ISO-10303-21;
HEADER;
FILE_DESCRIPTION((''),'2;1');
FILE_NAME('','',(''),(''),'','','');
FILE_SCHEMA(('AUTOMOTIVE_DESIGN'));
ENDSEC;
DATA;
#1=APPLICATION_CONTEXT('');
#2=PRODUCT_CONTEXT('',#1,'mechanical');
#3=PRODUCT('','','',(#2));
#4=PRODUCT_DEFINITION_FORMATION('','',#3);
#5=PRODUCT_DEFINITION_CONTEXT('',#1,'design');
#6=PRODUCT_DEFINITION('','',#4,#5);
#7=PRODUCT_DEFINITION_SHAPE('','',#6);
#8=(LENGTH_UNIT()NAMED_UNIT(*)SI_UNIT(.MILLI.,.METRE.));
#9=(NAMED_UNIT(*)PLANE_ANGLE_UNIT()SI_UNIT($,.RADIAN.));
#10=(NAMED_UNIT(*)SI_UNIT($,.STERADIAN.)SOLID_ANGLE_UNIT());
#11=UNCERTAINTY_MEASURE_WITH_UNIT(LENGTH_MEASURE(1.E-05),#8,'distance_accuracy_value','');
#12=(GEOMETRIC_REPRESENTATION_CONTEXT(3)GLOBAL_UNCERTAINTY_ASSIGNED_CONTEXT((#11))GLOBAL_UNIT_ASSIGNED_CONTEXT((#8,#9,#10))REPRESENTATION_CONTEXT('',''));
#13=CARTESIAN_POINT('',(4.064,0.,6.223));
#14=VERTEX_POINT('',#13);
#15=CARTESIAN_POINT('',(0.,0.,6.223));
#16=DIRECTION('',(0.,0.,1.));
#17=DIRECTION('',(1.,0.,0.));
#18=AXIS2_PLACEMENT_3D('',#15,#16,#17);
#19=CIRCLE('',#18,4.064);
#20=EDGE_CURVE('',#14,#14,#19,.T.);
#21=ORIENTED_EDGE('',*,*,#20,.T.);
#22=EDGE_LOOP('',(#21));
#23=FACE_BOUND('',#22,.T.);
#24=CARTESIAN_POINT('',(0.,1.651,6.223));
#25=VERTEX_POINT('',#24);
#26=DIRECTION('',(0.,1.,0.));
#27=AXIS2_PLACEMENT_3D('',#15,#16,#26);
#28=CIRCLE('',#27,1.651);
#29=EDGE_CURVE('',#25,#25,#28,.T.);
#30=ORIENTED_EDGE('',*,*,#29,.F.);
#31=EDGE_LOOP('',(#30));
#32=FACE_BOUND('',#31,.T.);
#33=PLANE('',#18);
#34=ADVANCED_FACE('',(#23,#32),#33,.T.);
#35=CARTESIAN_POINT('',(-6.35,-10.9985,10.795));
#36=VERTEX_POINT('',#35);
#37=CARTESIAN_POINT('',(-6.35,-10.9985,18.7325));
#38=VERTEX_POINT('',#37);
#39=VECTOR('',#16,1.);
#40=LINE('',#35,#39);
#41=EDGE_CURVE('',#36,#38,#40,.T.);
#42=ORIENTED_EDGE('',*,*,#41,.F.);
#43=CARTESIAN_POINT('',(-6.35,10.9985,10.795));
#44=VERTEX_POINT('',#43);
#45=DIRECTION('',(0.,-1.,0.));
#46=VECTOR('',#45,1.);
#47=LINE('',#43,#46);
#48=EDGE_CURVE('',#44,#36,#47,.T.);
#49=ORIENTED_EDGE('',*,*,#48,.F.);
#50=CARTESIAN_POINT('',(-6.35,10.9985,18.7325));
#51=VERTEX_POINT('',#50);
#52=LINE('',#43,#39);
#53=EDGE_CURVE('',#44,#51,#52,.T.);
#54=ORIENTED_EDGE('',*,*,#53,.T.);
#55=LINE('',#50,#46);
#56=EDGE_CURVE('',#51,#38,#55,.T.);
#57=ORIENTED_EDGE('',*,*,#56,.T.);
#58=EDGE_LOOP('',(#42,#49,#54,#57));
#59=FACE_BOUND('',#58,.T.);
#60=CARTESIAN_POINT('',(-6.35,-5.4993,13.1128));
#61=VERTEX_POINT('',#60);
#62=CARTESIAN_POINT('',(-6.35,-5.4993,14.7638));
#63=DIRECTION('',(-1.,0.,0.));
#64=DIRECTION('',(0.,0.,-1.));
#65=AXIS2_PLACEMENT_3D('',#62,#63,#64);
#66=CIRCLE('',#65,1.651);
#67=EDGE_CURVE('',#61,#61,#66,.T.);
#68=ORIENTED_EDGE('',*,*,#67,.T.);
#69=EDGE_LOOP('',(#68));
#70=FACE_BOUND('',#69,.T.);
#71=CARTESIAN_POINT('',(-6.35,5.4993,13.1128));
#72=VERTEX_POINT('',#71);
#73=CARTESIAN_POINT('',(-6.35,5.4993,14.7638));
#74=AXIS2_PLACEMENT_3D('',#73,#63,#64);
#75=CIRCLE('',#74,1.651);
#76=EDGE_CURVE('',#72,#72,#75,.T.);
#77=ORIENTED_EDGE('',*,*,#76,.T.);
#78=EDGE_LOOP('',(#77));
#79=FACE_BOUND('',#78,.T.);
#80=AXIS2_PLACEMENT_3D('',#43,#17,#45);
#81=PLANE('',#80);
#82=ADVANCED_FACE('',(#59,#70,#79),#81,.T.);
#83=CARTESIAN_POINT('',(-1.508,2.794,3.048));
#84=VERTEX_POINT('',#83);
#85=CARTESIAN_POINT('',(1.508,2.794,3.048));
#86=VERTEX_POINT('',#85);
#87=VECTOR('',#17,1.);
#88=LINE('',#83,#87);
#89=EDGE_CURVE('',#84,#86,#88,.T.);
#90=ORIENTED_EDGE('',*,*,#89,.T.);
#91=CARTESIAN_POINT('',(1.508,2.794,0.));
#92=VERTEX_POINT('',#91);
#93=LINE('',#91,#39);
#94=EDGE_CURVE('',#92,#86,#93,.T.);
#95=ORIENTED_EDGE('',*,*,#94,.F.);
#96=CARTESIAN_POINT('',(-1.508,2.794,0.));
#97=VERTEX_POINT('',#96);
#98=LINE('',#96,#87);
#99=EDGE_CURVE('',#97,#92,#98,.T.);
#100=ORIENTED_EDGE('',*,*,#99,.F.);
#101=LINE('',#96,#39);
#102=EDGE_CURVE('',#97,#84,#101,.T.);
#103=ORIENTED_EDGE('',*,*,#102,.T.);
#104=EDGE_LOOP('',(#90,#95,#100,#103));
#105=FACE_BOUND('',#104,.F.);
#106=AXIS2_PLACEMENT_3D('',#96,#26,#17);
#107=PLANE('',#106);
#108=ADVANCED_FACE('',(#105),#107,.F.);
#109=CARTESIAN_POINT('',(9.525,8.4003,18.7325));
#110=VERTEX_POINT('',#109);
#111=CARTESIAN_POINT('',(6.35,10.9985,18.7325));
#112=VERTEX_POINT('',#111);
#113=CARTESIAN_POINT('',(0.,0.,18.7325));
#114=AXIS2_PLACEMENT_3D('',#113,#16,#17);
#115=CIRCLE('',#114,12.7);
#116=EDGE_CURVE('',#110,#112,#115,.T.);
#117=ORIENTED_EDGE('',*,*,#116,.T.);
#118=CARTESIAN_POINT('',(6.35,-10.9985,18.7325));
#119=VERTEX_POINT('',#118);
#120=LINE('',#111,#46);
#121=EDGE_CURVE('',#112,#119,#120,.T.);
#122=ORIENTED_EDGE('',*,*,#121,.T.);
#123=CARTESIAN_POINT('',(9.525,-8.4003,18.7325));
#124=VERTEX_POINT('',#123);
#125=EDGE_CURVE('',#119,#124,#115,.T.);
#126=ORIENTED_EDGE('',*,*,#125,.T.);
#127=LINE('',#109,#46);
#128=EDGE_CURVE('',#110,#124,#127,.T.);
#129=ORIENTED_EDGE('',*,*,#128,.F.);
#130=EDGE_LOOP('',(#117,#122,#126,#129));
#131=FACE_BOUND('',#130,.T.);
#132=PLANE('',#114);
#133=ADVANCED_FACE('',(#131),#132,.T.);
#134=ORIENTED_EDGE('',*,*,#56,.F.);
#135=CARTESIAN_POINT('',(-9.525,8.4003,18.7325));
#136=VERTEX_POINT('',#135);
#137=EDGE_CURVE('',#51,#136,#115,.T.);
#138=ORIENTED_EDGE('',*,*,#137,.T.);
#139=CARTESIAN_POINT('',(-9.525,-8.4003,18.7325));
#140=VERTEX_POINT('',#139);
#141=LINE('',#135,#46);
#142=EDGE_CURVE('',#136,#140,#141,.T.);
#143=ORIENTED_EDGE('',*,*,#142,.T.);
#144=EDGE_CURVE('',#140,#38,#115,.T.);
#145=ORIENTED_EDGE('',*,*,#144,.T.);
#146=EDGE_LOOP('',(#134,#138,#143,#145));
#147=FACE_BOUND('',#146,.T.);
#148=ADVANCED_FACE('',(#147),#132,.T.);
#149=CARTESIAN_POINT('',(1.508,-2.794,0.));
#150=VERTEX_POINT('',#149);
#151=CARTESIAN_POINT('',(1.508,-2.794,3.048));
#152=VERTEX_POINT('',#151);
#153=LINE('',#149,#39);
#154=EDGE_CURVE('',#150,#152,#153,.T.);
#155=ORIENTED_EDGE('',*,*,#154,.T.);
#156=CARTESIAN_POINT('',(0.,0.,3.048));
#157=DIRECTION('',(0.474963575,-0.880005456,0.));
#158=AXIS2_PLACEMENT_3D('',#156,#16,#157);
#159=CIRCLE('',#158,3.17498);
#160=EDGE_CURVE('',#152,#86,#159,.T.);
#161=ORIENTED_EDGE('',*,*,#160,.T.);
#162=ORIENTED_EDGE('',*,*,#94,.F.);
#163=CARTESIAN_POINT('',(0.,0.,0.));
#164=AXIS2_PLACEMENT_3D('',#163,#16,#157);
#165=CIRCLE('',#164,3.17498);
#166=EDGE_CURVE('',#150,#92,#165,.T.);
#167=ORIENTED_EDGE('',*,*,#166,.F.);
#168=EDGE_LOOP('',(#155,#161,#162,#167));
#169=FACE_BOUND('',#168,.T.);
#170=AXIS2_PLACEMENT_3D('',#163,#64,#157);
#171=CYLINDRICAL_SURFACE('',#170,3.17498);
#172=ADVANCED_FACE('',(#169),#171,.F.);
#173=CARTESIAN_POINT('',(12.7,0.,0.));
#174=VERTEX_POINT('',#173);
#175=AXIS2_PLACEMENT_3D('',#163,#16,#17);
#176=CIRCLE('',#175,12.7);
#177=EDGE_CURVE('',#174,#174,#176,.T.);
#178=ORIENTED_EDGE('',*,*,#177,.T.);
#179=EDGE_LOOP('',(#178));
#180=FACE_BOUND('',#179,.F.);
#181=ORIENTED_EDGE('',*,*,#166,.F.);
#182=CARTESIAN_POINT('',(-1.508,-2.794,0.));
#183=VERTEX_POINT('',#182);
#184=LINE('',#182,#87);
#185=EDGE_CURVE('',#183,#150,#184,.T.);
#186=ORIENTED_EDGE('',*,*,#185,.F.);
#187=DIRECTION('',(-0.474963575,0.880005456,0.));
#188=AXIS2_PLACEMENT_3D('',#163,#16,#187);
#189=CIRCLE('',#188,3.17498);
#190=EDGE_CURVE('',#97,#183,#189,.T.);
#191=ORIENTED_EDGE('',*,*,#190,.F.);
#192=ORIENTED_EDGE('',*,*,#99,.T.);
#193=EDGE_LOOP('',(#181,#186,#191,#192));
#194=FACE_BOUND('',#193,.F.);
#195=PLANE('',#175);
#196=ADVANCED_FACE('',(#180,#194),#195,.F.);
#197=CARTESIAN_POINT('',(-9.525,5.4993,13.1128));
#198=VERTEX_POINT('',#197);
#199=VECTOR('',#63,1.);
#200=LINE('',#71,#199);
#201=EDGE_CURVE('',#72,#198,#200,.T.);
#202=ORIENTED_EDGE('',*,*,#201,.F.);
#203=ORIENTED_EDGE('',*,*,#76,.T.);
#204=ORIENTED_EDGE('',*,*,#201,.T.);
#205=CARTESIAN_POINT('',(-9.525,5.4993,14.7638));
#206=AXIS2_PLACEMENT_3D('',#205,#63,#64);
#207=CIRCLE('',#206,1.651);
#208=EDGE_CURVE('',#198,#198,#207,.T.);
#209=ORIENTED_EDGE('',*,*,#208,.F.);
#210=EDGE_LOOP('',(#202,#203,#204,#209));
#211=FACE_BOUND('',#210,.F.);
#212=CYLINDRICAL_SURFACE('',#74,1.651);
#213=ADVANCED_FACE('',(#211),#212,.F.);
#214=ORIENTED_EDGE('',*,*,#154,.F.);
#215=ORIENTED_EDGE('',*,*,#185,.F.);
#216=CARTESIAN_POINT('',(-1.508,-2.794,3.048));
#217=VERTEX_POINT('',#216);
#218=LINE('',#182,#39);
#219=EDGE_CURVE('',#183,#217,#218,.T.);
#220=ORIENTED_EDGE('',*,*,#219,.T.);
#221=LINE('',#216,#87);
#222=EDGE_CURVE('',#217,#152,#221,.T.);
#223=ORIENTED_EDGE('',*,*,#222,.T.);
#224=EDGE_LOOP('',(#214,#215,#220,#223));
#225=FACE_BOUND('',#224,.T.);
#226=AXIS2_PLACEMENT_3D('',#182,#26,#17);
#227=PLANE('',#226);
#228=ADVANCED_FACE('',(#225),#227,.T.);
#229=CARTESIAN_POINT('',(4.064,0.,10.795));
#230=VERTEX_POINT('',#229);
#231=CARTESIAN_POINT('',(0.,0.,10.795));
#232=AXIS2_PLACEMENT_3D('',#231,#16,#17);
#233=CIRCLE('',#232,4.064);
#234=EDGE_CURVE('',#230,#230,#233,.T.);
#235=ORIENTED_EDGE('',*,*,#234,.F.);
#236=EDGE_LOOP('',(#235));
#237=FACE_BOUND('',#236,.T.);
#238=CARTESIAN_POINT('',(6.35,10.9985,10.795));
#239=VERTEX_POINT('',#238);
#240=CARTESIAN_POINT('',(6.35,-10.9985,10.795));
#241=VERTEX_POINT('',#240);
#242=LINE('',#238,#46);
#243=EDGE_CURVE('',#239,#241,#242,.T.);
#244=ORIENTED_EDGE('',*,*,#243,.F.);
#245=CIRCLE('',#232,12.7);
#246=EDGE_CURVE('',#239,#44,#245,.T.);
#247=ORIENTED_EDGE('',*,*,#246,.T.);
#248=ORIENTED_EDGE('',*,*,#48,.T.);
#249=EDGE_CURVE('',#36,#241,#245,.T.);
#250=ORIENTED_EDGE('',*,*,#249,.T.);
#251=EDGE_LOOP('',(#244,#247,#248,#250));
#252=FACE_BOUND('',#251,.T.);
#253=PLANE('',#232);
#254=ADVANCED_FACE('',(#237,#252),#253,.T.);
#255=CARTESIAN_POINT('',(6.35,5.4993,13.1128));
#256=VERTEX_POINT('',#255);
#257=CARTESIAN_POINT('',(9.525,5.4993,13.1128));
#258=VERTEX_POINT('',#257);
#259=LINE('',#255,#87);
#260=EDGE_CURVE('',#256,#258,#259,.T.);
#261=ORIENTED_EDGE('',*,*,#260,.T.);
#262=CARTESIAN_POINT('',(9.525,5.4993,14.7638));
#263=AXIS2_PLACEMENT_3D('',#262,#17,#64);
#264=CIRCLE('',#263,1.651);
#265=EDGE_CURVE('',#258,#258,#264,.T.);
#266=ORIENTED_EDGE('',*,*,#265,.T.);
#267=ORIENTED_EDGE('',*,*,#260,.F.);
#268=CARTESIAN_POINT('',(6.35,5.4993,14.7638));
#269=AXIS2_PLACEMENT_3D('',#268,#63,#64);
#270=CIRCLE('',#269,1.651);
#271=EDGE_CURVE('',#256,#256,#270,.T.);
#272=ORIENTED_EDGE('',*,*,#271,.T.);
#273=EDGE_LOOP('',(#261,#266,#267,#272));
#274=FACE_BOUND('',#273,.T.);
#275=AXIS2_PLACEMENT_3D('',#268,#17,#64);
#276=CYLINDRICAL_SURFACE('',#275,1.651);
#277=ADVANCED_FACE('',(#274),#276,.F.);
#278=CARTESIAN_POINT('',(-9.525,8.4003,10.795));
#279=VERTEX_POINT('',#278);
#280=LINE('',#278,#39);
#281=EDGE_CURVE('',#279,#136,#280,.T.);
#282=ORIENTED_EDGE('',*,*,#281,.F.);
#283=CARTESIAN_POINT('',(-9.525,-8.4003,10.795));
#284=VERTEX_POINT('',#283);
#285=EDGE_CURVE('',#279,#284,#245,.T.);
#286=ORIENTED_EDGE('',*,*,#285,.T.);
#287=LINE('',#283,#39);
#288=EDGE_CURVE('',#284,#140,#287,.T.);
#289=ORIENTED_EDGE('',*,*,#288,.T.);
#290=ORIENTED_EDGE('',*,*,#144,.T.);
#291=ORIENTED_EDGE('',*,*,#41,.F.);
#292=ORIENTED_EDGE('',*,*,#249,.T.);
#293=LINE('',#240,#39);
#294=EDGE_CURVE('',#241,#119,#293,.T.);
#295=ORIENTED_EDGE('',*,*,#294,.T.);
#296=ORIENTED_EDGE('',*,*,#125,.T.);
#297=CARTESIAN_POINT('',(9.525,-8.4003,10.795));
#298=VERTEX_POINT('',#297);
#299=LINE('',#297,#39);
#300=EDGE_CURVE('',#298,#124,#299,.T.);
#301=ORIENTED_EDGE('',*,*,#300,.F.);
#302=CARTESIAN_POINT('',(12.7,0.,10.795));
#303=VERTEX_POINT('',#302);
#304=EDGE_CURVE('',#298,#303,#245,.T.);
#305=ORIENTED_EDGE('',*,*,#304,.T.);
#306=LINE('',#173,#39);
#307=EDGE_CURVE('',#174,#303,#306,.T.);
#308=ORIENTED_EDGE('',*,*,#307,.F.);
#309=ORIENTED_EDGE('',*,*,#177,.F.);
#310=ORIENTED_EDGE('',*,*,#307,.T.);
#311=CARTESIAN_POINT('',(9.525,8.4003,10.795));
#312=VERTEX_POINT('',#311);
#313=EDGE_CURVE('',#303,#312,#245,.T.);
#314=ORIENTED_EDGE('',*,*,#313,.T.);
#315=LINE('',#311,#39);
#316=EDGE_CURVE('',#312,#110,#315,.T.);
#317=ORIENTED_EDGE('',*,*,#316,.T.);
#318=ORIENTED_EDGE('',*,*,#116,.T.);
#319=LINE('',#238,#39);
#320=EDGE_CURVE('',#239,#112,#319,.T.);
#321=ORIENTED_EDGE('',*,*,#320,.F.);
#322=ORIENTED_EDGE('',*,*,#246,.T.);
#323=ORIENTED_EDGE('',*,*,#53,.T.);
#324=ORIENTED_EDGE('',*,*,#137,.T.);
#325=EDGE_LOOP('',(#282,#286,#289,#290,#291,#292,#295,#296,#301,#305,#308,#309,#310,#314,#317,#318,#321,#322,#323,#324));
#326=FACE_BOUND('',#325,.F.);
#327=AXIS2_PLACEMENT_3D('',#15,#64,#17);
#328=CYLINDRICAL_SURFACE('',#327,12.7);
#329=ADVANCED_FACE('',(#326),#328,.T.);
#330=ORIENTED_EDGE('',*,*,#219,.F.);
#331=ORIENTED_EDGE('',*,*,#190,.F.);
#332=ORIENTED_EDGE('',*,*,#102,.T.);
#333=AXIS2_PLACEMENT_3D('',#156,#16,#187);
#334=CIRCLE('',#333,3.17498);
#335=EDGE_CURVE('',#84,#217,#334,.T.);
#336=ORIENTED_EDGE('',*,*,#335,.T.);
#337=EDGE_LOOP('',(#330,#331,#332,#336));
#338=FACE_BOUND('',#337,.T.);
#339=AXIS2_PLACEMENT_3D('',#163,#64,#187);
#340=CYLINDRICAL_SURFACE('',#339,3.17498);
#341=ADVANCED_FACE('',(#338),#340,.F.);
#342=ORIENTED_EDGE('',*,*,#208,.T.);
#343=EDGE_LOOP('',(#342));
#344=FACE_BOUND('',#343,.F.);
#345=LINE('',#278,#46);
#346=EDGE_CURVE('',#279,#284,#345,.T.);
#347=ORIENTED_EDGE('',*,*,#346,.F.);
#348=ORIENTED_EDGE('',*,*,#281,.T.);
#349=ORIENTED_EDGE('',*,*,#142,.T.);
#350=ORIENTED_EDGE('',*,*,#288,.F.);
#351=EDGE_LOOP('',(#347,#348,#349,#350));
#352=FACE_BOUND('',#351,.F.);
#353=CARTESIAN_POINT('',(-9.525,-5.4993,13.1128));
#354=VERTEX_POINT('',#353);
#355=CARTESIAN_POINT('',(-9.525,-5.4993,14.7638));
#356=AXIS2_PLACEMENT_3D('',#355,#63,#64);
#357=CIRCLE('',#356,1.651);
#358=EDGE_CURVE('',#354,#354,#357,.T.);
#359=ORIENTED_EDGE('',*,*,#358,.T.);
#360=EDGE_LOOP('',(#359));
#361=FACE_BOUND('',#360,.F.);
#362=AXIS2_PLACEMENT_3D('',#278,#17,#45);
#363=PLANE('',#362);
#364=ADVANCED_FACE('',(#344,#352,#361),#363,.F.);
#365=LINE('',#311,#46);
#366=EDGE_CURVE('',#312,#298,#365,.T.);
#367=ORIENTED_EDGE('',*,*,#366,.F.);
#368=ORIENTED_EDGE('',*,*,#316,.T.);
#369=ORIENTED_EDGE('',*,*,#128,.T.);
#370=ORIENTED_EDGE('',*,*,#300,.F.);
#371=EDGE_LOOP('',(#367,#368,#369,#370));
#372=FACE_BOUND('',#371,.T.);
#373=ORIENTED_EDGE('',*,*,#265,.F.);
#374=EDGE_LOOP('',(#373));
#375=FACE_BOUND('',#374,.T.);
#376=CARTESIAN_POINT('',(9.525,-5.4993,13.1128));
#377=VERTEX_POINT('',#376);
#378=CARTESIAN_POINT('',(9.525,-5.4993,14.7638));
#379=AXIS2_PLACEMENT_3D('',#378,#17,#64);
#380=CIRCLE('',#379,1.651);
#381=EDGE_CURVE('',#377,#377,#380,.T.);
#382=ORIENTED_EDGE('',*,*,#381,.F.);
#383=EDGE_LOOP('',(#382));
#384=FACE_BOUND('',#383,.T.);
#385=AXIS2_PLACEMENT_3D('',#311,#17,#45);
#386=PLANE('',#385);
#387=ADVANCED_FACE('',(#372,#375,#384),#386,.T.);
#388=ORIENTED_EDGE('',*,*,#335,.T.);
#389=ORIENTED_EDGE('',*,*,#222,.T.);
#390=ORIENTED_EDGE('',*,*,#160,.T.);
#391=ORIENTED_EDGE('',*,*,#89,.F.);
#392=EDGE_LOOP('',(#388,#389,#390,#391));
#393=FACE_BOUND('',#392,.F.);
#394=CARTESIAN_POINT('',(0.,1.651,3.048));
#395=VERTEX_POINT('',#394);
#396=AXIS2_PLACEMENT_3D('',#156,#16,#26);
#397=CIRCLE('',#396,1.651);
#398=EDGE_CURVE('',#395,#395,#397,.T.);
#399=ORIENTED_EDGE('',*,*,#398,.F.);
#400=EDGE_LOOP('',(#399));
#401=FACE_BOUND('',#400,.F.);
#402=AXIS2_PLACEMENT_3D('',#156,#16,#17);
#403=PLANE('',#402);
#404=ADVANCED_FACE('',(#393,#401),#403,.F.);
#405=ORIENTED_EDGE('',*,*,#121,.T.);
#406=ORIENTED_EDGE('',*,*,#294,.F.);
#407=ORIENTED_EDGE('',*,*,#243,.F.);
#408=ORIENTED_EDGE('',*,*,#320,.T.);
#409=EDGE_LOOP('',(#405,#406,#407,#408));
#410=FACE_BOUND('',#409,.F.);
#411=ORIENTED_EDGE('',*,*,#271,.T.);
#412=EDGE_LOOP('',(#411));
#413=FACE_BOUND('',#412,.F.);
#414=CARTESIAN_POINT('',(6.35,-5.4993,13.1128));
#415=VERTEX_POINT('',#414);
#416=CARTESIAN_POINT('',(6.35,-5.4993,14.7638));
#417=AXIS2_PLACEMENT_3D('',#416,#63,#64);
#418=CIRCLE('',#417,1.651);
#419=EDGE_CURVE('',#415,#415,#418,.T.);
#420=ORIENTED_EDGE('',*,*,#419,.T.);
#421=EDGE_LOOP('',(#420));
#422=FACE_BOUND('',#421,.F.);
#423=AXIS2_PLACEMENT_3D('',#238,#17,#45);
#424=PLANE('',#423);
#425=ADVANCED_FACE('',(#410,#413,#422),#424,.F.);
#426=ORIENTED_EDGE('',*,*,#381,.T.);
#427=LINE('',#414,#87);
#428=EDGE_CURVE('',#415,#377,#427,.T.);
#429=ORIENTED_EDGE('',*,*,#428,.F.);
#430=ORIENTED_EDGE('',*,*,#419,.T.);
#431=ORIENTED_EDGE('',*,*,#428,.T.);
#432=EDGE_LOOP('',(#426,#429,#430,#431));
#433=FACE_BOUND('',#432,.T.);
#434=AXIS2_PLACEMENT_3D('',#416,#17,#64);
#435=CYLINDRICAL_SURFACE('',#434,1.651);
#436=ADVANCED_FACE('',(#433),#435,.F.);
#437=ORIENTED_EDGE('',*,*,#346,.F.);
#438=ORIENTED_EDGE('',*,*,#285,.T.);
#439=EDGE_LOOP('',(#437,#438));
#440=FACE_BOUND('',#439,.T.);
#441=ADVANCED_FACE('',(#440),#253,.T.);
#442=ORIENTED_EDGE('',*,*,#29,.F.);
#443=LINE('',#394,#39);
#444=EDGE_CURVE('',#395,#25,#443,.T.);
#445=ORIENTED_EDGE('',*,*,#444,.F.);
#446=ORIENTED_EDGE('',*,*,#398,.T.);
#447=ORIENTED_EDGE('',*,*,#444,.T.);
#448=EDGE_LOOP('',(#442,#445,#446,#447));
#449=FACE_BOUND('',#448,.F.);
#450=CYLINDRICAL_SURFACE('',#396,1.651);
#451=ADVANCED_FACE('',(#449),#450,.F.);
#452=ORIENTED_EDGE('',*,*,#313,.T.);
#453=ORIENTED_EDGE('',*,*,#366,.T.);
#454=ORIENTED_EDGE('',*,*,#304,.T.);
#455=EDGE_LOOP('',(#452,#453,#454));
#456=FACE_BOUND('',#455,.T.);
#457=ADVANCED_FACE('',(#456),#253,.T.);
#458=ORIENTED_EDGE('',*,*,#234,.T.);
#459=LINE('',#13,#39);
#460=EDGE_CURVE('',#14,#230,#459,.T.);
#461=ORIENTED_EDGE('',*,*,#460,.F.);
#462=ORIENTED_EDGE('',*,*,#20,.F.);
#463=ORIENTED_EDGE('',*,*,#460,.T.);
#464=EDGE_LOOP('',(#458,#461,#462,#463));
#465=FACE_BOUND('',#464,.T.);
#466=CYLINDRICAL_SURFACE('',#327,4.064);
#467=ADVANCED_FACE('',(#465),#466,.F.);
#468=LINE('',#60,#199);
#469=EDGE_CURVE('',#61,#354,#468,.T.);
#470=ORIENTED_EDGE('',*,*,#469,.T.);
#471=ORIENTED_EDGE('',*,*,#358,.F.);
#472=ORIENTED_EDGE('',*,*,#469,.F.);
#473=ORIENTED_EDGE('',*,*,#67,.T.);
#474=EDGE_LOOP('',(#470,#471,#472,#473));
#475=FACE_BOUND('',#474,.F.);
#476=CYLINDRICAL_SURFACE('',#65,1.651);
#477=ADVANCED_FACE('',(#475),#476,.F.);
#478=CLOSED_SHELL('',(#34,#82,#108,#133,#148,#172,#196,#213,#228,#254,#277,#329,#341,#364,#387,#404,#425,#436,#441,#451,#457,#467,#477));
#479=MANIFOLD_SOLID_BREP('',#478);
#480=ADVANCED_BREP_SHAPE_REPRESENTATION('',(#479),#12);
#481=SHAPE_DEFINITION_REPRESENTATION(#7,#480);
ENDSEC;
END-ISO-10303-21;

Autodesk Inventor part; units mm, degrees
ref_plane "YZ Plane" through (0, 0, 0) normal (1, 0, 0) x (0, 1, 0)
ref_plane "XZ Plane" through (0, 0, 0) normal (0, 1, 0) x (-1, 0, 0)
sketch "Sketch1" plane through (0, 0, 0) normal (0, 0, 1) x (1, 0, 0)
  arc A0 (-1.508, 2.794) -> (-1.508, -2.794) centre (0, 0) ccw
  line L0 (-3.175, 0) -> (0, 0) construction
  line L1 (0, 0) -> (3.175, 0) construction
  line L2 (-1.508, 2.794) -> (1.508, 2.794)
  line L3 (-1.508, -2.794) -> (1.508, -2.794)
  arc A1 (1.508, 2.794) -> (-1.508, 2.794) centre (0, 0) ccw construction
  arc A2 (1.508, -2.794) -> (1.508, 2.794) centre (0, 0) ccw
  arc A3 (-1.508, -2.794) -> (1.508, -2.794) centre (0, 0) ccw construction
  circle A4 centre (0, 0) radius 3.429 construction
  circle A5 centre (0, 0) radius 4.064
  circle A6 centre (0, 0) radius 12.7
  dimension "d1" = 2.794
  dimension "d2" = 3.175
  dimension "d3" = 6.858
  dimension "d5" = 0.635
  dimension "d6" = 25.4
extrude "Extrusion1" add sketch "Sketch1" along normal blind 3.048 contours A5 | A6
sketch "Sketch2" plane through (0, 0, 3.048) normal (0, 0, 1) x (1, 0, 0)
  circle A0 centre (0, 0) radius 12.7 projected
  arc A1 (-1.508, 2.794) -> (-1.508, -2.794) centre (0, 0) ccw projected
extrude "Extrusion2" add sketch "Sketch2" along normal blind 3.175
hole "Hole1" at (0, 0, 3.048) direction (0, 0, 1) diameter 3.302 depth 25.4 tip angle 118 thread size "8-32 UNC" class "2B" standard "ANSI Unified Screw Threads"
sketch "Sketch3" plane through (0, 0, 6.223) normal (0, 0, 1) x (1, 0, 0)
  circle A0 centre (0, 0) radius 12.7 projected
  circle A1 centre (0, 0) radius 3.429
  circle A2 centre (0, 0) radius 4.064
  dimension "d18" = 6.858
  dimension "d19" = 0.635
extrude "Extrusion3" add sketch "Sketch3" along normal blind 4.572 contours A0
sketch "Sketch4" plane through (0, 0, 10.795) normal (0, 0, 1) x (1, 0, 0)
  circle A0 centre (0, 0) radius 4.064 projected
  circle A1 centre (0, 0) radius 12.7 projected
  line L0 (-6.35, 10.9985) -> (-6.35, -10.9985)
  line L1 (0, 12.7) -> (0, -12.7)
  line L2 (6.35, 10.9985) -> (6.35, -10.9985)
  line L3 (-9.525, 8.4003) -> (-9.525, -8.4003)
  line L4 (9.525, 8.4003) -> (9.525, -8.4003)
  dimension "d22" = 6.35
  dimension "d23" = 3.175
extrude "Extrusion4" add sketch "Sketch4" along normal blind 7.9375 contours A1 L4 L2 | L0 A1 L3
sketch "Sketch5" plane through (-6.35, -10.9985, 10.795) normal (1, 0, 0) x (0, 0, -1)
  line L0 (0, 21.997) -> (0, 0) projected
  line L1 (0, 21.997) -> (-7.9375, 21.997) projected
  line L2 (-7.9375, 0) -> (-7.9375, 21.997) projected
  line L3 (0, 0) -> (-7.9375, 0) projected
  line L4 (-3.9688, 21.997) -> (-3.9688, 0) construction
  line L5 (-7.9375, 10.9985) -> (0, 10.9985) construction
  line L6 (-7.9375, 16.4978) -> (0, 16.4978) construction
  line L7 (-7.9375, 5.4993) -> (0, 5.4993) construction
  point P0 (10.795, 10.9985)
  point P1 (-3.9688, 16.4978)
  point P2 (-3.9688, 5.4993)
  dimension "d26" = 5.4993
  dimension "d27" = 5.4993
hole "Hole2" at (-6.35, 5.4993, 14.7638) at (-6.35, -5.4993, 14.7638) direction (-1, 0, 0) diameter 3.302 end through all thread size "8-32 UNC" class "2B" standard "ANSI Unified Screw Threads"
ref_plane "Work Plane1" through (0, -10.9985, 10.795) normal (1, 0, 0) x (0, 0, -1)
mirror "Mirror1" about plane through (0, -10.9985, 10.795) normal (1, 0, 0) of "Hole2"
equation "\"d26\" = d27"
properties part number "Pneumatic Connector -Actuator Side"
